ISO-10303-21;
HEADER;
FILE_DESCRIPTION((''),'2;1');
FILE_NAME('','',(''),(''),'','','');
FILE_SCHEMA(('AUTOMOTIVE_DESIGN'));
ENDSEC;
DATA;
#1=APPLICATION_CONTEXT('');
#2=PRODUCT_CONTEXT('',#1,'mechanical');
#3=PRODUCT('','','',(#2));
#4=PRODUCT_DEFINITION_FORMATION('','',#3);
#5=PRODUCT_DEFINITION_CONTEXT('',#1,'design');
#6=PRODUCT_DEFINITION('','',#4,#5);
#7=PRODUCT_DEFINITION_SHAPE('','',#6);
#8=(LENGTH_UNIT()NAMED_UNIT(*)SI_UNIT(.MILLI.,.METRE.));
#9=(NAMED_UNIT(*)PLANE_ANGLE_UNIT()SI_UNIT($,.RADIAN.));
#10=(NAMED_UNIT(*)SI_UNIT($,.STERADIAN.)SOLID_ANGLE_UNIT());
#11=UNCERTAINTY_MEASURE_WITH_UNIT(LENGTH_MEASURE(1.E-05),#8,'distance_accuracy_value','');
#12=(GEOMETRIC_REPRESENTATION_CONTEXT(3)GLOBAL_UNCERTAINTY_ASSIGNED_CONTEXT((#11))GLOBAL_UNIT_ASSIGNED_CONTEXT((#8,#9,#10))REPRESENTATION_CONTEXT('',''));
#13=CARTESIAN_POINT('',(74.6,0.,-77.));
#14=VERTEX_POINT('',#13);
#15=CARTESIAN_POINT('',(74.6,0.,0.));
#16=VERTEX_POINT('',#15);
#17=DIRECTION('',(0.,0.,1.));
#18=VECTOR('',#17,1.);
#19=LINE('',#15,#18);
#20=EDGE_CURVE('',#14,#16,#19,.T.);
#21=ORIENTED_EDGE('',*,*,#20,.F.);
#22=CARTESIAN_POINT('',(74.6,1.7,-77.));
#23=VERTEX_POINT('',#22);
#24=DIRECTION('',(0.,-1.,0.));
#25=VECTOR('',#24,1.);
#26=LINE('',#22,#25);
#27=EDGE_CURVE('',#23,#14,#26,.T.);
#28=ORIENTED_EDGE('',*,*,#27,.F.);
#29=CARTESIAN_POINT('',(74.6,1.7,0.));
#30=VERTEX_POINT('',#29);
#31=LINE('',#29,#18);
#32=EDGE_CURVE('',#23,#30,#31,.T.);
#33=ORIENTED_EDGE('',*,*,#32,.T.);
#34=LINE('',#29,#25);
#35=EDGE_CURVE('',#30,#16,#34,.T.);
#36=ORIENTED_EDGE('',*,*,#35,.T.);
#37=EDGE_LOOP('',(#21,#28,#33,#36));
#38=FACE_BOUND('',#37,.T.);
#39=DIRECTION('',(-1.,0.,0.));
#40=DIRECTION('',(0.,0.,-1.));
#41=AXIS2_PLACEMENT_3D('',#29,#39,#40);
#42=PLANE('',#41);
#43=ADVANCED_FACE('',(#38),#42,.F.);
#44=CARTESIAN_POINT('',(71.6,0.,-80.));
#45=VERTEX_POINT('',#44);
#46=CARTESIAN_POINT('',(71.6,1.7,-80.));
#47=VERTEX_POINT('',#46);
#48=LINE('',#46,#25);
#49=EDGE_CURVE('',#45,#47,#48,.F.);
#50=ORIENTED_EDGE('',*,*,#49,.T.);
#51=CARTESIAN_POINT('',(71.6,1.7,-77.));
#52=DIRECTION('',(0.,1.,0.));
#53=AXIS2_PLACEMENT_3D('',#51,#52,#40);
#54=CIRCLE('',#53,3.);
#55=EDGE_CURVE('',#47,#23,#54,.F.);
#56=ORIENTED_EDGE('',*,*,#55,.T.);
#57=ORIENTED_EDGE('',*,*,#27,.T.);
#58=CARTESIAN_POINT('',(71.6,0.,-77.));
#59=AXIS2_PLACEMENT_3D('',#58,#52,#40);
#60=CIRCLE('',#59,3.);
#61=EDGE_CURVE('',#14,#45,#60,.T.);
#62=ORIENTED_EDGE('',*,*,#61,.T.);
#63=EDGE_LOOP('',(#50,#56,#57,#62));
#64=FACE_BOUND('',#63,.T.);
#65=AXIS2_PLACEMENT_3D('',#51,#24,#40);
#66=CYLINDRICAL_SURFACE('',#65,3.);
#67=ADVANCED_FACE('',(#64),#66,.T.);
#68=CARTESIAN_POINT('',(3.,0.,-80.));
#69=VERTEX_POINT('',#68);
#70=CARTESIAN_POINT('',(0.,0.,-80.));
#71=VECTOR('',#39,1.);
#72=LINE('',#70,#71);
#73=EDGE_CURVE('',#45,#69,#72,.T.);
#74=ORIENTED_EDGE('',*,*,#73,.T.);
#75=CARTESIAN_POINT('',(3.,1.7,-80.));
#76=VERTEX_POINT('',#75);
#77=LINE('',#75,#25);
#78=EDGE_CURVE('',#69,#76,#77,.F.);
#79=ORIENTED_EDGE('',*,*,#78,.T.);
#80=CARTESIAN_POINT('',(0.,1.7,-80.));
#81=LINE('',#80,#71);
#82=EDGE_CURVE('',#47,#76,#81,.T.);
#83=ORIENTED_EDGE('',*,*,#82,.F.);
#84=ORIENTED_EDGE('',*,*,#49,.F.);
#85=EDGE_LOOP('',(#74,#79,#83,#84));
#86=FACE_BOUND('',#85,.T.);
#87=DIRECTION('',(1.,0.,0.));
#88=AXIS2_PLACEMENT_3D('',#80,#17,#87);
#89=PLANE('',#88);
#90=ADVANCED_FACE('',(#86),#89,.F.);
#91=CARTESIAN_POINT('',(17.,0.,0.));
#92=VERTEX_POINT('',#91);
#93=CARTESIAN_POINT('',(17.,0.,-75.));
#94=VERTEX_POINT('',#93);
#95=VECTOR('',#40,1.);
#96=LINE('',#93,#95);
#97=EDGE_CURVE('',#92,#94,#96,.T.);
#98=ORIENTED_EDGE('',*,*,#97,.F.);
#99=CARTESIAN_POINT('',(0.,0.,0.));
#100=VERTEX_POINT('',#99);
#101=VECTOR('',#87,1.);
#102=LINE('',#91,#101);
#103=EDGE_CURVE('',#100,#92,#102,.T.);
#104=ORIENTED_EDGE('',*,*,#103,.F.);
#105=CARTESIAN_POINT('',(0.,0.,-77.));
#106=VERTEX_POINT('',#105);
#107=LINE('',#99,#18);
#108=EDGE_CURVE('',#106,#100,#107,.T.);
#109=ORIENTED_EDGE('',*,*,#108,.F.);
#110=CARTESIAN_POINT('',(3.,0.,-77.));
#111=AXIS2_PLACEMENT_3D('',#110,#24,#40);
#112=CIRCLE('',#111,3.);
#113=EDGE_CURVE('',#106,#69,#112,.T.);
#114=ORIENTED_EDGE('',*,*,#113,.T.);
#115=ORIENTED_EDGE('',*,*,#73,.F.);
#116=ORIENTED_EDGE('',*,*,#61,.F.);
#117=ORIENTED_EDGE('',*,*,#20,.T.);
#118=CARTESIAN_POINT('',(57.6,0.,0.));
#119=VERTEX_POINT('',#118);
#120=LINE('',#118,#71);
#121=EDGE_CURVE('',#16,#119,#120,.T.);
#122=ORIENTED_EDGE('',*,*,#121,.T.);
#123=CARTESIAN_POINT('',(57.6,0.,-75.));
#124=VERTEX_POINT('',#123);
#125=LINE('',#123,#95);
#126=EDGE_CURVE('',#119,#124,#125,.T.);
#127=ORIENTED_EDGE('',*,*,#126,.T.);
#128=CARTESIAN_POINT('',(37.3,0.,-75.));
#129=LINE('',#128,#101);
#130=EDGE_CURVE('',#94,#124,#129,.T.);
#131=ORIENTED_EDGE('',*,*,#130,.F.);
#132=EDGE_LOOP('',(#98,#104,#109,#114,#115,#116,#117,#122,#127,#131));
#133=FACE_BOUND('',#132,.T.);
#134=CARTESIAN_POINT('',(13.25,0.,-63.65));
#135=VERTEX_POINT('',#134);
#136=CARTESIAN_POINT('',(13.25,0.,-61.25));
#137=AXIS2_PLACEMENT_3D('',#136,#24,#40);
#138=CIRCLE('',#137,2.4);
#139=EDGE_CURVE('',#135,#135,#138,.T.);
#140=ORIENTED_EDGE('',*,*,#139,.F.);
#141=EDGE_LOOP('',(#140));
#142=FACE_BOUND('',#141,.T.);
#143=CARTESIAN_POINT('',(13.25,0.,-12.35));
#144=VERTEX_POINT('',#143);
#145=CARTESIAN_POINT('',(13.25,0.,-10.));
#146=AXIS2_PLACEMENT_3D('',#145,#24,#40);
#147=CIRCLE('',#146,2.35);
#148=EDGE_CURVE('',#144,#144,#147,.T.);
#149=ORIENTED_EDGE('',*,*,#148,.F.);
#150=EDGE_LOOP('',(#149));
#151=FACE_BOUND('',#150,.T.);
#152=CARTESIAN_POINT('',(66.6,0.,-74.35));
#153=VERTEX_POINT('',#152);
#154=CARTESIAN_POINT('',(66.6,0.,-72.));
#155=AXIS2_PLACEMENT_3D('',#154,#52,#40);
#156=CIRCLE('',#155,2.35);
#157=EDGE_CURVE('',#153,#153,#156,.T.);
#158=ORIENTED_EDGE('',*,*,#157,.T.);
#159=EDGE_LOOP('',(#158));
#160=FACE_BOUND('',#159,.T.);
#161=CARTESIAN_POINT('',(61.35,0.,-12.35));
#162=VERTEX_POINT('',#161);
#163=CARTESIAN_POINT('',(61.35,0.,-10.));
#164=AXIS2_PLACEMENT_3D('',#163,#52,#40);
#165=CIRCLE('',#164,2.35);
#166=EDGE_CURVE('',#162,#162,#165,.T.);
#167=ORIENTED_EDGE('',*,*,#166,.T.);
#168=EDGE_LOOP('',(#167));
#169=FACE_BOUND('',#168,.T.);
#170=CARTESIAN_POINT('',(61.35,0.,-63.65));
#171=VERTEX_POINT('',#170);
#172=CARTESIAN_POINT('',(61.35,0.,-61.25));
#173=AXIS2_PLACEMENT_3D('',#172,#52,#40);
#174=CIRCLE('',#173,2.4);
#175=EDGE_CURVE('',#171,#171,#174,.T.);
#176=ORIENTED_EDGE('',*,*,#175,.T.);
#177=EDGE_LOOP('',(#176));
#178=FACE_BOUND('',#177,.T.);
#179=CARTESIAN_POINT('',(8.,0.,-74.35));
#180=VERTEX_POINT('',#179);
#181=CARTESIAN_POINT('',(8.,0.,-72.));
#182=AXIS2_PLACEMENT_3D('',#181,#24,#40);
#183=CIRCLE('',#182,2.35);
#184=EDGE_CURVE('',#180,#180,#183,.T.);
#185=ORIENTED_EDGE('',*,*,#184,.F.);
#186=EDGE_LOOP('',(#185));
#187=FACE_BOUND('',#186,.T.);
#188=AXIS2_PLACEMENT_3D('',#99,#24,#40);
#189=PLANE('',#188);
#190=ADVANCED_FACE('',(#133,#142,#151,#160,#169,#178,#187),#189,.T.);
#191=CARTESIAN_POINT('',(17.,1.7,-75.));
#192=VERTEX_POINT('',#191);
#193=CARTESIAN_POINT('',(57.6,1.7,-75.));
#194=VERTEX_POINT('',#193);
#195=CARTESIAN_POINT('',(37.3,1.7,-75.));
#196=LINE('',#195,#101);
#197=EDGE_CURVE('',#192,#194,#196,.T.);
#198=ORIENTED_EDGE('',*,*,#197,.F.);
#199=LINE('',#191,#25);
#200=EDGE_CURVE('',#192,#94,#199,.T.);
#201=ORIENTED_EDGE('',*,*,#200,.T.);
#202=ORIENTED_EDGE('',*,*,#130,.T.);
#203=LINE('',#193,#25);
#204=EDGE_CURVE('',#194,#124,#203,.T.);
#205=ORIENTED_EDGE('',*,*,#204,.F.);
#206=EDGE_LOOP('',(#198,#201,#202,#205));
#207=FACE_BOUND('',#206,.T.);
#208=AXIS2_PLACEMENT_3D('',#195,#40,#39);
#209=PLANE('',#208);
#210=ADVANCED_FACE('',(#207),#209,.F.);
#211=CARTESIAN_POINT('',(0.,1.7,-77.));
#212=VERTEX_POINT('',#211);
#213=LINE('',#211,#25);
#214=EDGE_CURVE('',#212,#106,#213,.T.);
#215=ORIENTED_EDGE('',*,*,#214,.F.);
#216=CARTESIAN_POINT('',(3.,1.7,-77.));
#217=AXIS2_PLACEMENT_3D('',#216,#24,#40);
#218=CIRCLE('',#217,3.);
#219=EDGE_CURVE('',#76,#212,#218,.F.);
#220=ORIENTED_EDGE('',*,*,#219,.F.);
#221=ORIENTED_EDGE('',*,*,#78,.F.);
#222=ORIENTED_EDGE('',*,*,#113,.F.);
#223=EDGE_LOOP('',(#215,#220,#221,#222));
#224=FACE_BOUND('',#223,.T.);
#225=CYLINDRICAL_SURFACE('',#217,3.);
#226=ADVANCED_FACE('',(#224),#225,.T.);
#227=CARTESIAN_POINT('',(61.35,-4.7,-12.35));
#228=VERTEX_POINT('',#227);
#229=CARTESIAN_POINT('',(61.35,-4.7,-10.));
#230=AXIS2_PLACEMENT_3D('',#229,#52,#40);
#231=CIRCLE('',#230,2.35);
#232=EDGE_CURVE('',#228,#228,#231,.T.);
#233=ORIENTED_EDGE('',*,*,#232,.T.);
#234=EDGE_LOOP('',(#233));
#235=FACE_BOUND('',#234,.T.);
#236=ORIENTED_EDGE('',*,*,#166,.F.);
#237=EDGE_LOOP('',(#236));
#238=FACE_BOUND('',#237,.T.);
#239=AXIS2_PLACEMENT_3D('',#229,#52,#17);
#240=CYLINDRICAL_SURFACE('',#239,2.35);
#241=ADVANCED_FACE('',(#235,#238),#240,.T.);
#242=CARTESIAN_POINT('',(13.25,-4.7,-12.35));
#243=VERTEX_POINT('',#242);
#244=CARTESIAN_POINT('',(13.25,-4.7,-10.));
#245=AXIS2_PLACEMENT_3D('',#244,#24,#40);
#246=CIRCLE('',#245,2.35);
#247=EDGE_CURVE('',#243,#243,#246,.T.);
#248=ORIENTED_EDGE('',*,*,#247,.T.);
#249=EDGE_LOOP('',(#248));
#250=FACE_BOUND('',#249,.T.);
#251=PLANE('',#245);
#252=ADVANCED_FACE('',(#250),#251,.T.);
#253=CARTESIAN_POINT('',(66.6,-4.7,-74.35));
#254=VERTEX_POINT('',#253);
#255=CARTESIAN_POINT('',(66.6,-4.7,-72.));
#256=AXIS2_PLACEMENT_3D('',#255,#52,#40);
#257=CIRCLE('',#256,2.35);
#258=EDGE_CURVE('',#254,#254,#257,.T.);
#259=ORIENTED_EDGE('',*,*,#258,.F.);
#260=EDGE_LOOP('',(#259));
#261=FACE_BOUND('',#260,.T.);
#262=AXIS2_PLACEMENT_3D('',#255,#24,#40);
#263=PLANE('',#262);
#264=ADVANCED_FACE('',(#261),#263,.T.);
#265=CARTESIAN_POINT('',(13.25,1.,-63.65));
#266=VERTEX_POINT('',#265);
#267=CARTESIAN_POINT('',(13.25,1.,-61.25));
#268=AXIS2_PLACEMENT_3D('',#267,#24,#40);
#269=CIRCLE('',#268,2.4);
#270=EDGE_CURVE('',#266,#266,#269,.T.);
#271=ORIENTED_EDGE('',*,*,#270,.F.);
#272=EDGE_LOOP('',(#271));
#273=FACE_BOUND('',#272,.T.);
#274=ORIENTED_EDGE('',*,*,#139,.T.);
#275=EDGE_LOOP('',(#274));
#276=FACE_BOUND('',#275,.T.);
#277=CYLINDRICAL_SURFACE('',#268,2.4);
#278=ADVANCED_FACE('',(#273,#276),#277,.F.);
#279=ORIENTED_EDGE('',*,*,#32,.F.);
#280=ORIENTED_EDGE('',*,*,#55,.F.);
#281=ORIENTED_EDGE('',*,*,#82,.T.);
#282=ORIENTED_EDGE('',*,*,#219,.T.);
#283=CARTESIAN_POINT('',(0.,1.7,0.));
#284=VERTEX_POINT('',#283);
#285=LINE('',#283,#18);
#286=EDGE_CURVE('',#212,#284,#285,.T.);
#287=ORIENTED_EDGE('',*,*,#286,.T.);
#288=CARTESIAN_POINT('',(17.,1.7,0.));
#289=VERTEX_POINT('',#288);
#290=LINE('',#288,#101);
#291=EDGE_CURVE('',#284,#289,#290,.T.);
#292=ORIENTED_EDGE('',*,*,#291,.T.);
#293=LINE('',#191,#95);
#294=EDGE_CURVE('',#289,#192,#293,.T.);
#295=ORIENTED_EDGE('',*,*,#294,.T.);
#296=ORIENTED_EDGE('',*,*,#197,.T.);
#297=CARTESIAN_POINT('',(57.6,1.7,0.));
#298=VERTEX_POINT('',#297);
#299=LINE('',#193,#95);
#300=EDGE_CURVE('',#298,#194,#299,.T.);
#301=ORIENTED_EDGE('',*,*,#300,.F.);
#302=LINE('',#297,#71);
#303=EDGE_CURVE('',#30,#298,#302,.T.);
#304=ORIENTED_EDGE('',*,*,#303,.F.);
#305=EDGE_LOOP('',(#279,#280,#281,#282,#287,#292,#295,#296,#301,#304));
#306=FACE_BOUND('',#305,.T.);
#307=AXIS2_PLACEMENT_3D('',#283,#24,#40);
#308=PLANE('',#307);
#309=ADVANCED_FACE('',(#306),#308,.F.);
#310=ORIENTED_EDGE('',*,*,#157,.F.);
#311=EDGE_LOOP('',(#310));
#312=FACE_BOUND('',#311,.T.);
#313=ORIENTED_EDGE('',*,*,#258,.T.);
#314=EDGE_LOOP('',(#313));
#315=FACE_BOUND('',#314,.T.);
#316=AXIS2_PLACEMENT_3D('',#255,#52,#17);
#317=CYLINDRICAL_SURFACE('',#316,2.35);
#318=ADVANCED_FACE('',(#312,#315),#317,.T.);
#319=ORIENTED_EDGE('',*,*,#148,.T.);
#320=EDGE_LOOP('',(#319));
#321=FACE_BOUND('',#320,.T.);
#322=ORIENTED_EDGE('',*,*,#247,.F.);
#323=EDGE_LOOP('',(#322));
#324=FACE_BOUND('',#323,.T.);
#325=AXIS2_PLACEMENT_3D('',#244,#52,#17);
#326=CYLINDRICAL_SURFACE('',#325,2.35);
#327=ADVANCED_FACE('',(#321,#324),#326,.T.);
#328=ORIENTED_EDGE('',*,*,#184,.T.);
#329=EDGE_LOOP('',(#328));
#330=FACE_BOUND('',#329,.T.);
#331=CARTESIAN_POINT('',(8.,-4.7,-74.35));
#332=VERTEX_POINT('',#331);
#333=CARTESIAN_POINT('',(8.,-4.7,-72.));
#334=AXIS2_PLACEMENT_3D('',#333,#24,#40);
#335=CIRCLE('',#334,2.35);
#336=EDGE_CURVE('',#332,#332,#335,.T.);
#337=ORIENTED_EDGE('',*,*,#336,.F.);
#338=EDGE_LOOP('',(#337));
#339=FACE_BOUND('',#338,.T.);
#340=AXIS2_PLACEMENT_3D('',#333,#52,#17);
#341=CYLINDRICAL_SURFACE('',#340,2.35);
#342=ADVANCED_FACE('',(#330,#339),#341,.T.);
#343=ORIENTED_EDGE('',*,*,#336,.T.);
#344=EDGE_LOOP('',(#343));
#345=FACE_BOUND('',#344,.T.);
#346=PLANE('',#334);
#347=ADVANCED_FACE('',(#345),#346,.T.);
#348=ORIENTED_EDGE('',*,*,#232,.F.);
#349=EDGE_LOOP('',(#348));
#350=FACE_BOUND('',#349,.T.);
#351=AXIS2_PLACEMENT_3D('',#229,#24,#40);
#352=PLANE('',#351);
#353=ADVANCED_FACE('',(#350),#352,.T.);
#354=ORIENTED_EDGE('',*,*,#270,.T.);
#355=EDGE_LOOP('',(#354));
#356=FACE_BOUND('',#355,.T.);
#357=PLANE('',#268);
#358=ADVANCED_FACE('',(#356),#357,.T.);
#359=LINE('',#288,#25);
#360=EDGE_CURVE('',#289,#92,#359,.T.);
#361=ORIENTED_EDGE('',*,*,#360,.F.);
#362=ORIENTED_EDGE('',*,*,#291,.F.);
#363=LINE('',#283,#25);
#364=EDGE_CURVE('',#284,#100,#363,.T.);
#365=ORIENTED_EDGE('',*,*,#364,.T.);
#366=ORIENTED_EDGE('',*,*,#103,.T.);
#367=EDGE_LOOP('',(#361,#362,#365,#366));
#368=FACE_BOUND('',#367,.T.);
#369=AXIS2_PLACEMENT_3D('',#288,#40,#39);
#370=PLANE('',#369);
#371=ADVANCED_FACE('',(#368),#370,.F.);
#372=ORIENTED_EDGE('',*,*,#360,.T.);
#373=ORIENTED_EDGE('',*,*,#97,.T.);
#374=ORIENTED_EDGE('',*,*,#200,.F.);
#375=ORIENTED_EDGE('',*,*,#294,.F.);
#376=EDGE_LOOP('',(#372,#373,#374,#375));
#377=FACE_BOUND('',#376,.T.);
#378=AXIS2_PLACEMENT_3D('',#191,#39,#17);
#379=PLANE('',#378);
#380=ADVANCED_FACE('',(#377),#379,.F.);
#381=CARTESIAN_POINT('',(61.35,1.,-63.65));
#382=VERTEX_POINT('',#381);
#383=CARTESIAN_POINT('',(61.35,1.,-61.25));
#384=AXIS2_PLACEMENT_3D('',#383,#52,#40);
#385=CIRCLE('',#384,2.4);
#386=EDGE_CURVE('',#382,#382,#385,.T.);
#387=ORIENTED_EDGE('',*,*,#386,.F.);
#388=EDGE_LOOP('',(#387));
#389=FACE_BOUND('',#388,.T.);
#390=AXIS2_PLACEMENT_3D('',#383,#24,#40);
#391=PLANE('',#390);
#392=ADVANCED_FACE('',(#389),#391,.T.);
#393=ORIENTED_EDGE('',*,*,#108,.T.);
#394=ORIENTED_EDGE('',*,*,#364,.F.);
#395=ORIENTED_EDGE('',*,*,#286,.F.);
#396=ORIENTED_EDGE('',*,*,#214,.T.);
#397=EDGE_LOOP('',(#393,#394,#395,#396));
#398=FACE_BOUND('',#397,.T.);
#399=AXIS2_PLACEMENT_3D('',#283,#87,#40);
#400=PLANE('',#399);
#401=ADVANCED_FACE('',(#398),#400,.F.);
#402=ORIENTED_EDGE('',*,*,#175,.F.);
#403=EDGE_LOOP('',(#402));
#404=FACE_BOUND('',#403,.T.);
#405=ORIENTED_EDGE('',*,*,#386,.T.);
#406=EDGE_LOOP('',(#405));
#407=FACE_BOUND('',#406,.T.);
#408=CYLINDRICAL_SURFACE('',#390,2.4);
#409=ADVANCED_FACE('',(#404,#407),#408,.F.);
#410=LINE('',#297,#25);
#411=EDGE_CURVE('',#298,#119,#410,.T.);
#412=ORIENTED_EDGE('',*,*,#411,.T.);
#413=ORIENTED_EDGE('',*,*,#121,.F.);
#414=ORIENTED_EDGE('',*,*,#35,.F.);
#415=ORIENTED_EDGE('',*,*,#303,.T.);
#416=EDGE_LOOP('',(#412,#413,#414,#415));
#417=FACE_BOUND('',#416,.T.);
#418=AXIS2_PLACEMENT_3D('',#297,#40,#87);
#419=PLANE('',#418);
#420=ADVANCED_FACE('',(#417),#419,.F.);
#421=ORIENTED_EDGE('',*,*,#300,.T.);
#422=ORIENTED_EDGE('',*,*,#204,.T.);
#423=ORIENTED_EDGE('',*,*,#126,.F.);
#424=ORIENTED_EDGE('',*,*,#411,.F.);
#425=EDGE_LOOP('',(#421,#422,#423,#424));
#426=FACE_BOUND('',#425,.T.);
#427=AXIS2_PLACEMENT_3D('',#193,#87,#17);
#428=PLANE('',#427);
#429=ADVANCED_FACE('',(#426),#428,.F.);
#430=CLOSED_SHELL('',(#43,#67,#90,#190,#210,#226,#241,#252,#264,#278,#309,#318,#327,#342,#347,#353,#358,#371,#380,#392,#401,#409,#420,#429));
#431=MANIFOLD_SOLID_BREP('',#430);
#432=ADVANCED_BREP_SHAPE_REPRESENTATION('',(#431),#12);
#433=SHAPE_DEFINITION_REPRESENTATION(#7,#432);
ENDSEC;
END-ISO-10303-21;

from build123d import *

# Parameters (mm, degrees)
BOSS_EXTRUDE1_DEPTH = 1.7
SKETCH2_R           = 2.35
BOSS_EXTRUDE2_DEPTH = 4.7
FILLET1_R           = 3
SKETCH3_R           = 2.4
CUT_EXTRUDE1_DEPTH  = 1


with BuildPart() as part:
    # Sketch1 → Boss-Extrude1 (new body)
    with BuildSketch(Plane(origin=(0, 0, 0), x_dir=(1, 0, 0), z_dir=(0, 1, 0))):
        Polygon((0, 0), (0, 80), (37.3, 80), (37.3, 75), (17, 75), (17, 0), align=None)
    extrude(amount=BOSS_EXTRUDE1_DEPTH)

    # Sketch2 → Boss-Extrude2 (add)
    with BuildSketch(Plane(origin=(0, 0, 0), x_dir=(-1, 0, 0), z_dir=(0, -1, 0))):
        with Locations(Location((-13.25, 10, 0), (0, 0, 90))):
            Circle(SKETCH2_R)
        with Locations(Location((-8, 72, 0), (0, 0, 90))):
            Circle(SKETCH2_R)
    extrude(amount=BOSS_EXTRUDE2_DEPTH)

    # Fillet1
    fillet1_edges = [part.edges().sort_by_distance(p)[0] for p in [
        (0, 0.85, -80),
    ]]
    fillet(fillet1_edges, radius=FILLET1_R)

    # Sketch3 → Cut-Extrude1 (cut)
    with BuildSketch(Plane(origin=(0, 0, 0), x_dir=(-1, 0, 0), z_dir=(0, -1, 0))):
        with Locations(Location((-13.25, 61.25, 0), (0, 0, 90))):
            Circle(SKETCH3_R)
    extrude(amount=-CUT_EXTRUDE1_DEPTH, mode=Mode.SUBTRACT)

    # Mirror3: part across plane


with BuildPart() as part_1:
    add(part.part)
    add(part.part.mirror(Plane(origin=(37.3, 1.7, -80), x_dir=(0, 0, 1), z_dir=(-1, 0, 0))))


solid = part_1.part
